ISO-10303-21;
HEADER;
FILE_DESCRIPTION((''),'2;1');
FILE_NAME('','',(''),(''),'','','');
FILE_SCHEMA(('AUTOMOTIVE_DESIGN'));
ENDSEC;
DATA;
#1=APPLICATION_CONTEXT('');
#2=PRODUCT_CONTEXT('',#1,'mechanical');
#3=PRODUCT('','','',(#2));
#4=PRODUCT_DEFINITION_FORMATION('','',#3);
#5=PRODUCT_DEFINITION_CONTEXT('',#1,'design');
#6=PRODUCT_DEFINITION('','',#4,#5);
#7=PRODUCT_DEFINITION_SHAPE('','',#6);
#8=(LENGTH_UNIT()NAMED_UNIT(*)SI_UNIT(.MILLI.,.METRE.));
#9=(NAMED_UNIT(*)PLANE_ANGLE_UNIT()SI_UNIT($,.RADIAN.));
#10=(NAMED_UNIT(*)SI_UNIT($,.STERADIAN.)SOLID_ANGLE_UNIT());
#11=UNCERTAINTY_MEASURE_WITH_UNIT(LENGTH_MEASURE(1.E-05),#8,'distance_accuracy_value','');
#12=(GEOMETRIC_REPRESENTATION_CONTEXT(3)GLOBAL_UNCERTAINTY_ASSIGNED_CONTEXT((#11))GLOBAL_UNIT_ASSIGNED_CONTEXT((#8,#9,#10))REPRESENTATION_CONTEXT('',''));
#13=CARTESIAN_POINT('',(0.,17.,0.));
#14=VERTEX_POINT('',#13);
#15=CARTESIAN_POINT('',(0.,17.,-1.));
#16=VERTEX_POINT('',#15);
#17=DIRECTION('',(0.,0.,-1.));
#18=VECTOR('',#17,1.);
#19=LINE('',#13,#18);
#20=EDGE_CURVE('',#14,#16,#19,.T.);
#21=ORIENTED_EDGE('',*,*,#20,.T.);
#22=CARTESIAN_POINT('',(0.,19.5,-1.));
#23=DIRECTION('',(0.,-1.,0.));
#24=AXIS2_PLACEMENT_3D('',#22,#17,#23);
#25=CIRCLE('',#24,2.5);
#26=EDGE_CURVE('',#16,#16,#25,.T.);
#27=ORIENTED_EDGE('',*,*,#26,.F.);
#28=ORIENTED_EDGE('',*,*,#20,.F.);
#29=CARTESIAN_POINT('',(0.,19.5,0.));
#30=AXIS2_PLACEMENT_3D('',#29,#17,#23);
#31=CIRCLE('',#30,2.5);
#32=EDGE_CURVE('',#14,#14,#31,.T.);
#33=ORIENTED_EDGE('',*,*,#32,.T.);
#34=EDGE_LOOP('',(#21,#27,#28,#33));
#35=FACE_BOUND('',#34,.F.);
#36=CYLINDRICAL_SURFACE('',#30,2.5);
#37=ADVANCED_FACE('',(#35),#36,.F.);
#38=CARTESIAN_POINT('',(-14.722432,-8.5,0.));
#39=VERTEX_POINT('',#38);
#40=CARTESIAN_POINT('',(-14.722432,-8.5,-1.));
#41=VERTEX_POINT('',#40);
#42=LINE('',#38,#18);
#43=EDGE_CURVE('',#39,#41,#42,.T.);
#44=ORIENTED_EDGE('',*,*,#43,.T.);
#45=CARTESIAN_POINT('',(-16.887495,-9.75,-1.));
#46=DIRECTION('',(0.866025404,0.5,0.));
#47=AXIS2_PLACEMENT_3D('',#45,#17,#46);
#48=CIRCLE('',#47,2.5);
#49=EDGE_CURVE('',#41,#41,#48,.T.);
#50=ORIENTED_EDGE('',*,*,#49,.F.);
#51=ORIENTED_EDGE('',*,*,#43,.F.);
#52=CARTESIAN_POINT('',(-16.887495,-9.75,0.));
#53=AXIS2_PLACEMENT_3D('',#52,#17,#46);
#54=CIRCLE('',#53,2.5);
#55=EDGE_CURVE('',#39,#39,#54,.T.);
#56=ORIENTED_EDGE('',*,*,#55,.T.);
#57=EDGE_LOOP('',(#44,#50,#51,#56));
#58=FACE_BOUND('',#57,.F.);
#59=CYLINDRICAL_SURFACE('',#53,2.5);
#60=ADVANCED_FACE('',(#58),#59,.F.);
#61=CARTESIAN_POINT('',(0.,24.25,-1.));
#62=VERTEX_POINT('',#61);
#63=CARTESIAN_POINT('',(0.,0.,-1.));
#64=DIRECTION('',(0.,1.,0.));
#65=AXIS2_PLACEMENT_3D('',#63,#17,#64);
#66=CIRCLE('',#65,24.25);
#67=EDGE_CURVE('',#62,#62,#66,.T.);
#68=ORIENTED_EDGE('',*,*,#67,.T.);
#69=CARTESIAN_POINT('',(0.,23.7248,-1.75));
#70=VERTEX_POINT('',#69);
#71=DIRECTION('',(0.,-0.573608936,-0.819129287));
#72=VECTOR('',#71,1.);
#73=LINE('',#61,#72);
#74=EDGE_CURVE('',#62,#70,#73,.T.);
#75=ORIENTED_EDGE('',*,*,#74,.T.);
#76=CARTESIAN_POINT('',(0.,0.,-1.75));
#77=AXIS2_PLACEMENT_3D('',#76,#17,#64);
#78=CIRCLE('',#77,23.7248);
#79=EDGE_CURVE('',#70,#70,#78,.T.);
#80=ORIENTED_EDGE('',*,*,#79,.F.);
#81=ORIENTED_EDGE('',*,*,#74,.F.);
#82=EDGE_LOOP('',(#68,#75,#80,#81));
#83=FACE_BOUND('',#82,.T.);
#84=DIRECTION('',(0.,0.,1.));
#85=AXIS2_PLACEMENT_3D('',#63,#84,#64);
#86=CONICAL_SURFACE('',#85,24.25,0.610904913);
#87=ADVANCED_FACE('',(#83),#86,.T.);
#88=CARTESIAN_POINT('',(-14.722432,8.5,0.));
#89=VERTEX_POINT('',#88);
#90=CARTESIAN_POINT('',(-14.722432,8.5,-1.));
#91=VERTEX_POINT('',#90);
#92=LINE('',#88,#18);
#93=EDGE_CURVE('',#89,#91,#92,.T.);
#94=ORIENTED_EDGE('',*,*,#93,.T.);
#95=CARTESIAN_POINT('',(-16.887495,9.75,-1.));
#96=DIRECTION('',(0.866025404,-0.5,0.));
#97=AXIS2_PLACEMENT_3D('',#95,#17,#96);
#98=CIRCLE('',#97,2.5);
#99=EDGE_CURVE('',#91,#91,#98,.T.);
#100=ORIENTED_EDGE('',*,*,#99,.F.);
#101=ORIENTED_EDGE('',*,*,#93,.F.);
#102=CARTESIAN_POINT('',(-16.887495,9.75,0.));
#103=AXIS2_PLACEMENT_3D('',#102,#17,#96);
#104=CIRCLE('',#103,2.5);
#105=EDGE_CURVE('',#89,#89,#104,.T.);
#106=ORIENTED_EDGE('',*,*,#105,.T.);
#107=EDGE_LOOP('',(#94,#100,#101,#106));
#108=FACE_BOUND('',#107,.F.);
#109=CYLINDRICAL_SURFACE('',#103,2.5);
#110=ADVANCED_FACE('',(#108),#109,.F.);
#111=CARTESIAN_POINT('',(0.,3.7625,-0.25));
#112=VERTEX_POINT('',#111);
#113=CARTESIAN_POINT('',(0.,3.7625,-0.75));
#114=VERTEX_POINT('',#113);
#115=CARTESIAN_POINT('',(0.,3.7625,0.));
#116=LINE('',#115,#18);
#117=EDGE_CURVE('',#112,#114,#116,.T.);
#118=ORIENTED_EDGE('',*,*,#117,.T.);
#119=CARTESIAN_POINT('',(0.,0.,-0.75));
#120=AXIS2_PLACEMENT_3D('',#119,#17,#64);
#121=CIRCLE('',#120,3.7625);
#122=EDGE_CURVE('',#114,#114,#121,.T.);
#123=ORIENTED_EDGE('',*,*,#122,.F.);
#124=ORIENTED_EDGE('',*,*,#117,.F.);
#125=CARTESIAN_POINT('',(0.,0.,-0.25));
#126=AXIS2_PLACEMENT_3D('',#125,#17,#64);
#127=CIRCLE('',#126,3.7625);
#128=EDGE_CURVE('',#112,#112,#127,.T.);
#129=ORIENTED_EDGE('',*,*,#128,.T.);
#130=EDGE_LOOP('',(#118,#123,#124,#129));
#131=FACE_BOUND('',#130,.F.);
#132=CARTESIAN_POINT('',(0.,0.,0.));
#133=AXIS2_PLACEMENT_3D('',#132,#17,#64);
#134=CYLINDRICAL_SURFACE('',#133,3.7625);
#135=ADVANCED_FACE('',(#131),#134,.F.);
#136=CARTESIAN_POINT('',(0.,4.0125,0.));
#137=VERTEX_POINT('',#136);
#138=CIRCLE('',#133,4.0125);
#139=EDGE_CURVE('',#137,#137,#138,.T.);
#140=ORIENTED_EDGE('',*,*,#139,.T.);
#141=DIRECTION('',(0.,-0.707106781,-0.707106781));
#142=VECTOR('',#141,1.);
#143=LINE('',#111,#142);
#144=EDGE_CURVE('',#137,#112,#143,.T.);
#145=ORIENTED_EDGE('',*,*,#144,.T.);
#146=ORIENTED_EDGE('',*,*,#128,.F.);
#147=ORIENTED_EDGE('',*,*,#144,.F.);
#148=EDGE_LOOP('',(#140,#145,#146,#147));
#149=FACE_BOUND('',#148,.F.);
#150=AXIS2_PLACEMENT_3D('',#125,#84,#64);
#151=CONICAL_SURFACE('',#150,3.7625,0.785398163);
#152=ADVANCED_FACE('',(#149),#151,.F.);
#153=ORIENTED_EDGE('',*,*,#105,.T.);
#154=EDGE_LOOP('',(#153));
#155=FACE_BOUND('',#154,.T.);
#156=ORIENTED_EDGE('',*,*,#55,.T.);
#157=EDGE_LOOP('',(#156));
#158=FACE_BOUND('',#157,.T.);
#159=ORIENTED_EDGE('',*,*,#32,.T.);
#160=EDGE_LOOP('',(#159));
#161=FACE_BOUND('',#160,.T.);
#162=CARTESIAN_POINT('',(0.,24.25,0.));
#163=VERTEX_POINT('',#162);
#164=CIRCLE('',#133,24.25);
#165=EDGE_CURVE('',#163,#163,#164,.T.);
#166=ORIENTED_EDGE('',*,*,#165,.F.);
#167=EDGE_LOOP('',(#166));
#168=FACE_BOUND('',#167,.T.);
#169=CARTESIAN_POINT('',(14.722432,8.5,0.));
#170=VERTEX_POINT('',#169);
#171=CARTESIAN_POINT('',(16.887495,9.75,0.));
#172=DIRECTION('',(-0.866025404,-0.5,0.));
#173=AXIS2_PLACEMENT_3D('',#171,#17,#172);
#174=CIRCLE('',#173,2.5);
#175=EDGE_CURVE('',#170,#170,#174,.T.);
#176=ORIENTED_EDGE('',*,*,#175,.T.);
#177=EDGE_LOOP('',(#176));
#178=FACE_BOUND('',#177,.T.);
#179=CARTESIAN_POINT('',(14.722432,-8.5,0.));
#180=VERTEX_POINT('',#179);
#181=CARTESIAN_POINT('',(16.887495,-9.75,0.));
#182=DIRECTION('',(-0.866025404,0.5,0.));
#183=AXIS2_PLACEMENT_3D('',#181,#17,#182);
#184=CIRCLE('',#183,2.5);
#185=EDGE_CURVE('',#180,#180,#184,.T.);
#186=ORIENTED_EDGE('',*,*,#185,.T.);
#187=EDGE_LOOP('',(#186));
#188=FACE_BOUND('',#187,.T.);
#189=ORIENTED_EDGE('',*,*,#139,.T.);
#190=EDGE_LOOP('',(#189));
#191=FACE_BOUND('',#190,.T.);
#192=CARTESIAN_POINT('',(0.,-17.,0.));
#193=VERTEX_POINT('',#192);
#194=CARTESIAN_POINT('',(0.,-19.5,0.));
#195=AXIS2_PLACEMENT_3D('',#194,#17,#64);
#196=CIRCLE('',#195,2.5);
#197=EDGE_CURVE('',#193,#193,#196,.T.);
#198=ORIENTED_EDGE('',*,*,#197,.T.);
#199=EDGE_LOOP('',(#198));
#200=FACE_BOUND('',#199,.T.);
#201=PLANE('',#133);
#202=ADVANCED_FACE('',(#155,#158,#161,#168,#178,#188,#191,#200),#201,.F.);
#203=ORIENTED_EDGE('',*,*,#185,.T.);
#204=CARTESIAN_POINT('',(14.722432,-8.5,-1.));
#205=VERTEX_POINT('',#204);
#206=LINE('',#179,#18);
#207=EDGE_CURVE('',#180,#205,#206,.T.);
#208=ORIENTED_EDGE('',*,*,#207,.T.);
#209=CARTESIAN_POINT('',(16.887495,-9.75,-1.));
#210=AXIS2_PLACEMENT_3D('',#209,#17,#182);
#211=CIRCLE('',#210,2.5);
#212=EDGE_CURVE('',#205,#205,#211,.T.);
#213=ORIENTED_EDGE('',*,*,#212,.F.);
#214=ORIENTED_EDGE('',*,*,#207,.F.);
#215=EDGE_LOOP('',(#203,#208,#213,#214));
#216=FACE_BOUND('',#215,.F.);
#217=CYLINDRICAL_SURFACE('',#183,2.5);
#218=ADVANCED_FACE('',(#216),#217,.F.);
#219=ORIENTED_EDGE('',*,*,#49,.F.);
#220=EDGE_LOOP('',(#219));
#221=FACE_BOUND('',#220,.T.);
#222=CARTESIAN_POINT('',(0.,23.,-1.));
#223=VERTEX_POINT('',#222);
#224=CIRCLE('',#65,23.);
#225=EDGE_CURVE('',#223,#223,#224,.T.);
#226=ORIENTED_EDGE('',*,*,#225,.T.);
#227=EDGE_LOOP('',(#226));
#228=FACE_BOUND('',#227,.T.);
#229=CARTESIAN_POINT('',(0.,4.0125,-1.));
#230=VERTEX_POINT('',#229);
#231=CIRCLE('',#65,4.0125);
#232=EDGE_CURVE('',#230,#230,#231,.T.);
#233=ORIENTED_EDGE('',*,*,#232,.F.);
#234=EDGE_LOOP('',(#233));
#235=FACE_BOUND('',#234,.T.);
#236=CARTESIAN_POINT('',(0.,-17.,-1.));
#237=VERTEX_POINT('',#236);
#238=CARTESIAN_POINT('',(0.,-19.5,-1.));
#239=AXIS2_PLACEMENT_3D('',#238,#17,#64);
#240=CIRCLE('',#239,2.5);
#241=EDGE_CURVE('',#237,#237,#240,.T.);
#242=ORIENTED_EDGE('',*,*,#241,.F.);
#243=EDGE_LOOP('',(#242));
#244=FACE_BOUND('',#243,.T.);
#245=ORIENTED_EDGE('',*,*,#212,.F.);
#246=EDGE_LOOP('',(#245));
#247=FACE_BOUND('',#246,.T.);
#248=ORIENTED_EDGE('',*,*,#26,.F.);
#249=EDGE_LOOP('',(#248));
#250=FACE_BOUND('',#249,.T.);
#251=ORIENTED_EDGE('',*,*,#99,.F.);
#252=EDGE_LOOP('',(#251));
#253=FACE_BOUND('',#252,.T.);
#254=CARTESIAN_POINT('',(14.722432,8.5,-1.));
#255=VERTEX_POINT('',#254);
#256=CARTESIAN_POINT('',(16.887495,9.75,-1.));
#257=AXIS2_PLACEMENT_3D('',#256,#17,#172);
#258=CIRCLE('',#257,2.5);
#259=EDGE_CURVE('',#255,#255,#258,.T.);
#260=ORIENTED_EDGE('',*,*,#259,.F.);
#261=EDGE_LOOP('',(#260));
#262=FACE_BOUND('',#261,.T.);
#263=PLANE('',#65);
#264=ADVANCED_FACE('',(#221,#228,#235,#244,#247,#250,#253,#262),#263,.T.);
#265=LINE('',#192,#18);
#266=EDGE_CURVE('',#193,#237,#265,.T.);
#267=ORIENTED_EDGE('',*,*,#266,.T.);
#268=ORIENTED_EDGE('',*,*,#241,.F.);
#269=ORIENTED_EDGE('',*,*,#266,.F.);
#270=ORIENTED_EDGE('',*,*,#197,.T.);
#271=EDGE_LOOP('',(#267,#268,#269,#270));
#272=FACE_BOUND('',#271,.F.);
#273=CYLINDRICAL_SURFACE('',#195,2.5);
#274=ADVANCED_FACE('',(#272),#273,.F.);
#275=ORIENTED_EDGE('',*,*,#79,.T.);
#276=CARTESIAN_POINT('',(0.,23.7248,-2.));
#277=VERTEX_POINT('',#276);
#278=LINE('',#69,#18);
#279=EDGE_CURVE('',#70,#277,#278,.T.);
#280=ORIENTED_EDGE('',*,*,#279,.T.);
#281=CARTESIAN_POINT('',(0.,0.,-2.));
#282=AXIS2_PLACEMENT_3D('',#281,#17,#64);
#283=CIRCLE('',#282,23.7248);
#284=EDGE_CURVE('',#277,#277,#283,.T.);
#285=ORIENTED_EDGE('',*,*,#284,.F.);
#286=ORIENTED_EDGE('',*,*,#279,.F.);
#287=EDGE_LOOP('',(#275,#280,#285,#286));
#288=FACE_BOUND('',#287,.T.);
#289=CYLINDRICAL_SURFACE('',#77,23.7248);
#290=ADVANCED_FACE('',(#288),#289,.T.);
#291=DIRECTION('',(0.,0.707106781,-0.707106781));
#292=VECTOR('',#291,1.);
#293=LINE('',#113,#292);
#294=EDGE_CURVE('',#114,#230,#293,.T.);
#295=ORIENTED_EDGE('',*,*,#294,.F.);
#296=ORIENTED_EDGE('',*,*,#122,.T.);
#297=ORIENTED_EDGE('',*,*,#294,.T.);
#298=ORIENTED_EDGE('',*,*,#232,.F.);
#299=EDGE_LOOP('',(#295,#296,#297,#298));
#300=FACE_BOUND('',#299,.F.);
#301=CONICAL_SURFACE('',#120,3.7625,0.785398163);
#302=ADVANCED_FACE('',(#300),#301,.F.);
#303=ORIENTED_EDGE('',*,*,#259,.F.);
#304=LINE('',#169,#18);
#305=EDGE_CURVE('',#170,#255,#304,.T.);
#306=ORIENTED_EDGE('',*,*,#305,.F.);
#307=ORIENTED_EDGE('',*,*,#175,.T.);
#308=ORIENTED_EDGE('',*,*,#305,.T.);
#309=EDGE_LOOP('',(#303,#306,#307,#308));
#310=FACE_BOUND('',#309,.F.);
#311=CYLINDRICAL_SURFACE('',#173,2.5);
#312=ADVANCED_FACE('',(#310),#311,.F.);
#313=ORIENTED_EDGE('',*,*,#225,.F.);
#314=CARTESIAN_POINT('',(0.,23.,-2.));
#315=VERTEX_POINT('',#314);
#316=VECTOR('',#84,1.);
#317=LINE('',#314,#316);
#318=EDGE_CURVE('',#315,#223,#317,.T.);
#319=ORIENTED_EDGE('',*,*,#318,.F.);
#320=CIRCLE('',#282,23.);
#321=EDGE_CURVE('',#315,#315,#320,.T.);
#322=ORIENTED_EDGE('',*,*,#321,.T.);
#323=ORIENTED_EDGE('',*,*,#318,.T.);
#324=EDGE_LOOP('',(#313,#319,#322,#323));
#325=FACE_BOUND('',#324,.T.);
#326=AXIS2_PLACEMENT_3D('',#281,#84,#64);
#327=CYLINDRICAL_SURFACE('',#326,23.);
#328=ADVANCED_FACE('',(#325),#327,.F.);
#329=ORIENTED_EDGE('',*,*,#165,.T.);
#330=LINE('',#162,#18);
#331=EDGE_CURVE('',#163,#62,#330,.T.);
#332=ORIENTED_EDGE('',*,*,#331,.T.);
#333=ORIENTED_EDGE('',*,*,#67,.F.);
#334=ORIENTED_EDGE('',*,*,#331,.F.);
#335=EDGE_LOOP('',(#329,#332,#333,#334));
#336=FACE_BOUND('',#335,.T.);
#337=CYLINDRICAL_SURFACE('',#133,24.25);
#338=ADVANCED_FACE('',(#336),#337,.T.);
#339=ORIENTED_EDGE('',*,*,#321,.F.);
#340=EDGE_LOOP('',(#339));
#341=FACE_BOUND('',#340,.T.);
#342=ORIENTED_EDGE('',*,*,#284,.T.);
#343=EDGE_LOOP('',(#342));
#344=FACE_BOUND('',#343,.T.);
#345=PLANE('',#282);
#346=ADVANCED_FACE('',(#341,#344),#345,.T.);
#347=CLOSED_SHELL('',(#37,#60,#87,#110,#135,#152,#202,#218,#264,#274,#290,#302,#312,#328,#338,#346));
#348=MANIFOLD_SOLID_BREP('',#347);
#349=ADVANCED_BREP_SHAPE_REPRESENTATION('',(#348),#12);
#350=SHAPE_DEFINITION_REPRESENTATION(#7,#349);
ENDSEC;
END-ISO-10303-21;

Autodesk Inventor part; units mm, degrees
ref_plane "YZ Plane" through (0, 0, 0) normal (1, 0, 0) x (0, 1, 0)
ref_plane "XZ Plane" through (0, 0, 0) normal (0, 1, 0) x (-1, 0, 0)
ref_plane "XY Plane" through (0, 0, 0) normal (0, 0, 1) x (1, 0, 0)
sketch "Sketch2" plane through (0, 0, 0) normal (1, 0, 0) x (0, 1, 0)
  line L0 (13.4931, 0) -> (24.25, 0)
  line L1 (24.25, 0) -> (24.25, -1)
  line L2 (24.25, -1) -> (23.7248, -1.75)
  line L3 (23.7248, -1.75) -> (23.7248, -2)
  line L4 (23.7248, -2) -> (23, -2)
  line L5 (0, 0) -> (0, -8.2884)
  line L6 (23, -2) -> (23, -1)
  line L7 (23, -1) -> (3.7625, -1)
  line L8 (13.4931, 0) -> (3.7625, 0)
  line L9 (3.7625, 0) -> (3.7625, -1)
  dimension "d3" = 1
  dimension "d4" = 145
  dimension "d5" = 0.75
  dimension "d7" = 0.25
  dimension "d8" = 2
  dimension "d10" = 48.5
  dimension "d11" = 47.4497
  dimension "d12" = 1.25
  dimension "d13" = 7.525
revolve "Revolution1" add sketch "Sketch2" angle 360 about axis through (0, 0, 0) along (0, 0, -1)
sketch "Sketch3" plane through (0, 0, 0) normal (0, 0, 1) x (1, 0, 0)
  circle A0 centre (0, 0) radius 3.7625 projected
  circle A1 centre (0, 0) radius 3.7625 projected
  circle A2 centre (0, 0) radius 24.25 projected
  point P0 (0, 0)
  point P1 (0, 0)
  point P2 (0, 19.5)
  dimension "d15" = 19.5
  dimension "d16" = 48.5
hole "Hole1" at (0, 0, 0) at (0, 19.5, 0) direction (0, 0, -1) diameter 5 end through all
pattern_circular "Circular Pattern1" count 6 over 360 about axis through (0, 0, -10) along (0, 0, 1) of "Hole1"
chamfer "Chamfer1" distance 0.25 angle 45 2 edges at (0, -3.7625, 0) (0, -3.7625, -1)
properties part number "Front cover of servo motor" material "Aluminum 6061-AHC"
